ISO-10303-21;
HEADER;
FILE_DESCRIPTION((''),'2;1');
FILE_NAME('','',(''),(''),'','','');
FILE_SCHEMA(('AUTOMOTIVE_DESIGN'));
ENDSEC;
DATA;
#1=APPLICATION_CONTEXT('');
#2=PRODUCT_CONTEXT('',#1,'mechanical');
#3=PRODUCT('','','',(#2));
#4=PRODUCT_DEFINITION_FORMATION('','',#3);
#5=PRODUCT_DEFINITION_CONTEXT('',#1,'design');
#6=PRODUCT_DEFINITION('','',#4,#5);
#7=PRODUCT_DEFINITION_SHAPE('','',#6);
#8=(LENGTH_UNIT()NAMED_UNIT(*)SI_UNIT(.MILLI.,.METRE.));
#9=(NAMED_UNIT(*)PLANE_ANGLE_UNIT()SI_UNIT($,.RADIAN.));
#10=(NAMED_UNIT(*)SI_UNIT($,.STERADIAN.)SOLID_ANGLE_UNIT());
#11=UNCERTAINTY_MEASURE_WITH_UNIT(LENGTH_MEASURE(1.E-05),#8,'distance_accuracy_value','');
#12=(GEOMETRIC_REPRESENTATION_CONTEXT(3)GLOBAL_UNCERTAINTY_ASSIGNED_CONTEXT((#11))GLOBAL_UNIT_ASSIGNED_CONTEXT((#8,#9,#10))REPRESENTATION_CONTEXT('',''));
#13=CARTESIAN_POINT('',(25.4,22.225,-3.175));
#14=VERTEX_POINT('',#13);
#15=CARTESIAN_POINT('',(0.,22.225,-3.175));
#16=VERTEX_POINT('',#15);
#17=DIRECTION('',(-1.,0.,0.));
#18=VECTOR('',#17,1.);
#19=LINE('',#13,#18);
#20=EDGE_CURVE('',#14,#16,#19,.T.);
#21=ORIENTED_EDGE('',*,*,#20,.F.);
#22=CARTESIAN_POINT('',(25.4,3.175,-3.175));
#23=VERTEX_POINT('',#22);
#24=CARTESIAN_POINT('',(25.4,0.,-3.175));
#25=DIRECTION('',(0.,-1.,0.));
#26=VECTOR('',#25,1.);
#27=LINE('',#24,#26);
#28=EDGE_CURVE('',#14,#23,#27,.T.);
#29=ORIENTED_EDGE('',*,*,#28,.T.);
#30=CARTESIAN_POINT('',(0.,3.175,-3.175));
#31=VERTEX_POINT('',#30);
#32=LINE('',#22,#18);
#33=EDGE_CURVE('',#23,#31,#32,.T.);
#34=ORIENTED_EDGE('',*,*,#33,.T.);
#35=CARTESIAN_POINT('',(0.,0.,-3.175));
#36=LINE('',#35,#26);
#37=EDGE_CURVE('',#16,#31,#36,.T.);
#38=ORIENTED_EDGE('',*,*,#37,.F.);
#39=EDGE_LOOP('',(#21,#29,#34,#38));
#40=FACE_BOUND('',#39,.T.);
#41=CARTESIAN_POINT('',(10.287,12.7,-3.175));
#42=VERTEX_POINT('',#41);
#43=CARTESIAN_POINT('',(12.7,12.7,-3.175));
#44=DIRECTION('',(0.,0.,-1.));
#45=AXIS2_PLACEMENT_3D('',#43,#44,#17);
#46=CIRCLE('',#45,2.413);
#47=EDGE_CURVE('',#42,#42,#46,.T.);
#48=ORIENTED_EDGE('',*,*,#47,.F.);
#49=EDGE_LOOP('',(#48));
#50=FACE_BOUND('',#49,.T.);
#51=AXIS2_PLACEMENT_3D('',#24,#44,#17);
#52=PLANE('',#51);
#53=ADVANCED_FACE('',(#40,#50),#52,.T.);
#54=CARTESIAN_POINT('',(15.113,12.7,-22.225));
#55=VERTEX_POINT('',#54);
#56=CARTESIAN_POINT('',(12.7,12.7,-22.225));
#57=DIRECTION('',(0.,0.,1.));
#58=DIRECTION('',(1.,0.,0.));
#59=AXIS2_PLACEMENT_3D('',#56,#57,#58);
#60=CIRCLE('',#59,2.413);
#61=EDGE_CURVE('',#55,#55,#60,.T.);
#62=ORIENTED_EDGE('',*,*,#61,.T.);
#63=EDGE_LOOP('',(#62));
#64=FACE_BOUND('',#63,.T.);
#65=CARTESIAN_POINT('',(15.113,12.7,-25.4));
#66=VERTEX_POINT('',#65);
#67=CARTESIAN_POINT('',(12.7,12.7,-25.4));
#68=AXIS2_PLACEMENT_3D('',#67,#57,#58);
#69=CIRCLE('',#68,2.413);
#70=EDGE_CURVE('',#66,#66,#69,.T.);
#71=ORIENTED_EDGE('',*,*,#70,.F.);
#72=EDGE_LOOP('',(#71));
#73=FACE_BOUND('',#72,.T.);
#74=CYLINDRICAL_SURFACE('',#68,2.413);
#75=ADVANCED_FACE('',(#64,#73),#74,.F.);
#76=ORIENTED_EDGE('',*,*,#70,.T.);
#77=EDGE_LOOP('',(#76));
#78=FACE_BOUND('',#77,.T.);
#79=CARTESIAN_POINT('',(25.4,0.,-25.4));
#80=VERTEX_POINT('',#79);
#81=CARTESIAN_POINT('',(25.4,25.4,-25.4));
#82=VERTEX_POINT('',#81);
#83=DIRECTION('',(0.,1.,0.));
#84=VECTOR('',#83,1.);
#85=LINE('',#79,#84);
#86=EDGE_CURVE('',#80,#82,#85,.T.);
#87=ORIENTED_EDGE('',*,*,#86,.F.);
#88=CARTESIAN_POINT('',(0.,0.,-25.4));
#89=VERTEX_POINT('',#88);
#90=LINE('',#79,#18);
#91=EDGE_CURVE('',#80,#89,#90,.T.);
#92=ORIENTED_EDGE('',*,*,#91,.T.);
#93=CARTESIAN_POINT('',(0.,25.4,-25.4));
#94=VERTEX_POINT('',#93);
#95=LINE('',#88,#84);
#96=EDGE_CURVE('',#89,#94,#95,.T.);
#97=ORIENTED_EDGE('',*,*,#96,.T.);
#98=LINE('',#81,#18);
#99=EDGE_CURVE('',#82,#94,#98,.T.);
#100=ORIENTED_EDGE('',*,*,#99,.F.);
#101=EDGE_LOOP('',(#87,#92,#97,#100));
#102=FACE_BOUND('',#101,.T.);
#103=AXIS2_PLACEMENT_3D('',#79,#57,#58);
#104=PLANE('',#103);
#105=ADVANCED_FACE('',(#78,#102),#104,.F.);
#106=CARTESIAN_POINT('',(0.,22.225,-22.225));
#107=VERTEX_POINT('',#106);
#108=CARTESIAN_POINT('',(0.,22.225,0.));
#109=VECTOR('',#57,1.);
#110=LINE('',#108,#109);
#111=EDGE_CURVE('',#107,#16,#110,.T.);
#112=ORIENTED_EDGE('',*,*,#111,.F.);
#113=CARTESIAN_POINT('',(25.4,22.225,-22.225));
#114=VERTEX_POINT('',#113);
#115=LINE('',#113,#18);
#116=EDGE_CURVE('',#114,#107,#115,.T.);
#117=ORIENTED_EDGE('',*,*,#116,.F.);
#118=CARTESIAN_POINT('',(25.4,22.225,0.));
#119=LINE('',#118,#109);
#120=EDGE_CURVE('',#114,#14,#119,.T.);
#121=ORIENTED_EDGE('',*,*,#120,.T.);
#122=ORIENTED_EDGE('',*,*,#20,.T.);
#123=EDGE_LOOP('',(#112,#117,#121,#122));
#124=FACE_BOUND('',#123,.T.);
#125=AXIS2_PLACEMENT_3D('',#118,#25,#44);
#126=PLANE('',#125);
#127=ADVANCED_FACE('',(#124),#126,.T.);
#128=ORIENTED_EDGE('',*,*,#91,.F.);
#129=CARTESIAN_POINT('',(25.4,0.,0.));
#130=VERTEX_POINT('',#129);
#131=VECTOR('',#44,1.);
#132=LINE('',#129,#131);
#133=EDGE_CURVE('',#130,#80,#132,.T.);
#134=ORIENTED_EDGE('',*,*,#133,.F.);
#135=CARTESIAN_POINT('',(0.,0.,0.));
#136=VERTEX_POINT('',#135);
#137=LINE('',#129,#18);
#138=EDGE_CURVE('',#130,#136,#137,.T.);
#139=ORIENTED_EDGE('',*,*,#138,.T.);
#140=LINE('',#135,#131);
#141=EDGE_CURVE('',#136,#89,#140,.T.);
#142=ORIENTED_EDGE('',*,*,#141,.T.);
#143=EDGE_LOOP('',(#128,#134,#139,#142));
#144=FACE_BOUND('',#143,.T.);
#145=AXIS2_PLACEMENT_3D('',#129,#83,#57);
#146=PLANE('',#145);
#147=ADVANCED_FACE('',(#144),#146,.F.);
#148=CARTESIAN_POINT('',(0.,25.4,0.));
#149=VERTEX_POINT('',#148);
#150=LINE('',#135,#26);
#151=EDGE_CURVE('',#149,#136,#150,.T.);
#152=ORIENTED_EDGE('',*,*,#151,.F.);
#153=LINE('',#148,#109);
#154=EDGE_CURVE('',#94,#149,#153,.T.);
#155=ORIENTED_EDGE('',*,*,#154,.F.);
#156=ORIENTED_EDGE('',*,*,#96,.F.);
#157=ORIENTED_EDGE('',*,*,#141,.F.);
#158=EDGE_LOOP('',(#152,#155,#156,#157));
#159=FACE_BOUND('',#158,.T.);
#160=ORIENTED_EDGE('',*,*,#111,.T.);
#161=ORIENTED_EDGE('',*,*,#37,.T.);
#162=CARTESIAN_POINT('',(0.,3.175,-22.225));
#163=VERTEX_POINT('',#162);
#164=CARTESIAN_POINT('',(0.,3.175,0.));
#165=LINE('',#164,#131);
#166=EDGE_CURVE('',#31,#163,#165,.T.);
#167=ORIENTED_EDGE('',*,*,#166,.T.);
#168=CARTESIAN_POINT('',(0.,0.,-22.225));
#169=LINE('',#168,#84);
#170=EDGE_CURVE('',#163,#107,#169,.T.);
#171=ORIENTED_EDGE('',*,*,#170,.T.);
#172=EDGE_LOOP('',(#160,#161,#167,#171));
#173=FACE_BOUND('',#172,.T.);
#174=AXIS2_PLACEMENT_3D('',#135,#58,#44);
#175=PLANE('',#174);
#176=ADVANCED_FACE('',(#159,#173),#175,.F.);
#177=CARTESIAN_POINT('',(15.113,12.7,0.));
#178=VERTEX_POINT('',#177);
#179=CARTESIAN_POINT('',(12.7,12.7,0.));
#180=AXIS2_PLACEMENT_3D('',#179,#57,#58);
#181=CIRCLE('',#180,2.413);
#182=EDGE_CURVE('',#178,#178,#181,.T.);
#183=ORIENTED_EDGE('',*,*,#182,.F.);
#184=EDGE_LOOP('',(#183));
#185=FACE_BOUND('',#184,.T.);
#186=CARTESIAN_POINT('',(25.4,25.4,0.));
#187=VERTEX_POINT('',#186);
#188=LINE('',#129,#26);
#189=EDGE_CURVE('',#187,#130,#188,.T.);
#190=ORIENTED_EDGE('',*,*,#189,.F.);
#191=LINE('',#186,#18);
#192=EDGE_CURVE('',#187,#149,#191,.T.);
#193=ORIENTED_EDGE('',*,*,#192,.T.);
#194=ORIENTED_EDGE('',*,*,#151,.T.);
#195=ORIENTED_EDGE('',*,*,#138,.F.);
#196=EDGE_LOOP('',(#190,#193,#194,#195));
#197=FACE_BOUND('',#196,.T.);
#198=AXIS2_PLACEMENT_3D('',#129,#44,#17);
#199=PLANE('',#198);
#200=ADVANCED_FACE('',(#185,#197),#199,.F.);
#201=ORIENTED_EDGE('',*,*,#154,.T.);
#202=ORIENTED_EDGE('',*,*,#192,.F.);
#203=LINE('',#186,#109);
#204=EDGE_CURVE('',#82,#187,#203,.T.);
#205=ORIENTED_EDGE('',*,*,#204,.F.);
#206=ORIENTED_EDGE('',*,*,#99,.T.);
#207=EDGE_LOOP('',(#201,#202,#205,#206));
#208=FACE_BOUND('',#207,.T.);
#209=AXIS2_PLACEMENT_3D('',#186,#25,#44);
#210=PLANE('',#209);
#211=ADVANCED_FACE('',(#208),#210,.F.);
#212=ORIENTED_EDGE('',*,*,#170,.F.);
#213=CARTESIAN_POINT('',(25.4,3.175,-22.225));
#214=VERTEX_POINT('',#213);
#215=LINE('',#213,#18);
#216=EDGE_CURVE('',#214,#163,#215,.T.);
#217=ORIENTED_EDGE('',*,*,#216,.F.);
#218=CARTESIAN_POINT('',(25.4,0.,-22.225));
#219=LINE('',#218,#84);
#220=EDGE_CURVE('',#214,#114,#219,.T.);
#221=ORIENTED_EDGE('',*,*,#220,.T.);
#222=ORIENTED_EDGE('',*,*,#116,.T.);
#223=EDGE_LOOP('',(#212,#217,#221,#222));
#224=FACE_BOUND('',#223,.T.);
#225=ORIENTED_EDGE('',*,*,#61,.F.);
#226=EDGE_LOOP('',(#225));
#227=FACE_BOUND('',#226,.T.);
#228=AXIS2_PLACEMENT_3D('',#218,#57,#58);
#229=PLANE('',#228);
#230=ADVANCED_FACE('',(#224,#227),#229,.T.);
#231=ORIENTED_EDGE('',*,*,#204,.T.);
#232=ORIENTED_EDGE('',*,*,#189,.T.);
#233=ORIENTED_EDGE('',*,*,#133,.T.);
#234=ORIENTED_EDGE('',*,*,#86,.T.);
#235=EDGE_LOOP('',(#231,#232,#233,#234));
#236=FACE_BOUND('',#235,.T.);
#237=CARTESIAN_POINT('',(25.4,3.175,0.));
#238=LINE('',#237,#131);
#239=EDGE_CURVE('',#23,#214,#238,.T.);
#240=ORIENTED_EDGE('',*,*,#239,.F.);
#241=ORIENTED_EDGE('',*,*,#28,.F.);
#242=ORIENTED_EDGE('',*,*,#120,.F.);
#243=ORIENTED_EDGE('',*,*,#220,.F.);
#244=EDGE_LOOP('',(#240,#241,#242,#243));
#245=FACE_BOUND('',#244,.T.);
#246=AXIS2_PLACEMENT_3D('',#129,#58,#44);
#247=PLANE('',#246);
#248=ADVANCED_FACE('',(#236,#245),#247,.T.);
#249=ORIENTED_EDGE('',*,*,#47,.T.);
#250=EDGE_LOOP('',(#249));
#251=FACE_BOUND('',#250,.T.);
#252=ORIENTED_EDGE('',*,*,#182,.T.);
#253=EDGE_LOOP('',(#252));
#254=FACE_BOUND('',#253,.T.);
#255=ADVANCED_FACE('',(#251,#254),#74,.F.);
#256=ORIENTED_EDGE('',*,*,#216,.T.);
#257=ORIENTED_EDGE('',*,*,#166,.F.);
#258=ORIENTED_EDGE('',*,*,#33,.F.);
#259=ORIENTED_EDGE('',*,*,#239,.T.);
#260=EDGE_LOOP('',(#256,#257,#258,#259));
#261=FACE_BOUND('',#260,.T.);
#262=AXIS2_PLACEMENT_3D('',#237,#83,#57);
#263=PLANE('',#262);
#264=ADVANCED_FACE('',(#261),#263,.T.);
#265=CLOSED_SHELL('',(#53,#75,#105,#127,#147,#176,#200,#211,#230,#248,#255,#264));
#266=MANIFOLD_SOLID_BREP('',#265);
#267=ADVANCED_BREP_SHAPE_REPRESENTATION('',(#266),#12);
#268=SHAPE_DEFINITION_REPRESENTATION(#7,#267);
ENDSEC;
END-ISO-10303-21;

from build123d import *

# Parameters (mm, degrees)
SKETCH1_W           = 25.4
SKETCH1_H           = 25.4
SKETCH1_W_2         = 19.05
SKETCH1_H_2         = 19.05
EXTRUDE_THIN1_DEPTH = 25.4
SKETCH2_R           = 2.413
CUT_EXTRUDE1_DEPTH  = 26.4


with BuildPart() as part:
    # Sketch1 → Extrude-Thin1 (new body)
    with BuildSketch(Plane(origin=(0, 0, 0), x_dir=(0, 0, -1), z_dir=(1, 0, 0))):
        with Locations((12.7, 12.7)):
            Rectangle(SKETCH1_W, SKETCH1_H)
        with Locations((12.7, 12.7)):
            Rectangle(SKETCH1_W_2, SKETCH1_H_2, mode=Mode.SUBTRACT)
    extrude(amount=EXTRUDE_THIN1_DEPTH)

    # Sketch2 → Cut-Extrude1 (cut, through all)
    with BuildSketch(Plane.XY):
        with Locations((12.7, 12.7)):
            Circle(SKETCH2_R)
    extrude(amount=-CUT_EXTRUDE1_DEPTH, mode=Mode.SUBTRACT)


solid = part.part
